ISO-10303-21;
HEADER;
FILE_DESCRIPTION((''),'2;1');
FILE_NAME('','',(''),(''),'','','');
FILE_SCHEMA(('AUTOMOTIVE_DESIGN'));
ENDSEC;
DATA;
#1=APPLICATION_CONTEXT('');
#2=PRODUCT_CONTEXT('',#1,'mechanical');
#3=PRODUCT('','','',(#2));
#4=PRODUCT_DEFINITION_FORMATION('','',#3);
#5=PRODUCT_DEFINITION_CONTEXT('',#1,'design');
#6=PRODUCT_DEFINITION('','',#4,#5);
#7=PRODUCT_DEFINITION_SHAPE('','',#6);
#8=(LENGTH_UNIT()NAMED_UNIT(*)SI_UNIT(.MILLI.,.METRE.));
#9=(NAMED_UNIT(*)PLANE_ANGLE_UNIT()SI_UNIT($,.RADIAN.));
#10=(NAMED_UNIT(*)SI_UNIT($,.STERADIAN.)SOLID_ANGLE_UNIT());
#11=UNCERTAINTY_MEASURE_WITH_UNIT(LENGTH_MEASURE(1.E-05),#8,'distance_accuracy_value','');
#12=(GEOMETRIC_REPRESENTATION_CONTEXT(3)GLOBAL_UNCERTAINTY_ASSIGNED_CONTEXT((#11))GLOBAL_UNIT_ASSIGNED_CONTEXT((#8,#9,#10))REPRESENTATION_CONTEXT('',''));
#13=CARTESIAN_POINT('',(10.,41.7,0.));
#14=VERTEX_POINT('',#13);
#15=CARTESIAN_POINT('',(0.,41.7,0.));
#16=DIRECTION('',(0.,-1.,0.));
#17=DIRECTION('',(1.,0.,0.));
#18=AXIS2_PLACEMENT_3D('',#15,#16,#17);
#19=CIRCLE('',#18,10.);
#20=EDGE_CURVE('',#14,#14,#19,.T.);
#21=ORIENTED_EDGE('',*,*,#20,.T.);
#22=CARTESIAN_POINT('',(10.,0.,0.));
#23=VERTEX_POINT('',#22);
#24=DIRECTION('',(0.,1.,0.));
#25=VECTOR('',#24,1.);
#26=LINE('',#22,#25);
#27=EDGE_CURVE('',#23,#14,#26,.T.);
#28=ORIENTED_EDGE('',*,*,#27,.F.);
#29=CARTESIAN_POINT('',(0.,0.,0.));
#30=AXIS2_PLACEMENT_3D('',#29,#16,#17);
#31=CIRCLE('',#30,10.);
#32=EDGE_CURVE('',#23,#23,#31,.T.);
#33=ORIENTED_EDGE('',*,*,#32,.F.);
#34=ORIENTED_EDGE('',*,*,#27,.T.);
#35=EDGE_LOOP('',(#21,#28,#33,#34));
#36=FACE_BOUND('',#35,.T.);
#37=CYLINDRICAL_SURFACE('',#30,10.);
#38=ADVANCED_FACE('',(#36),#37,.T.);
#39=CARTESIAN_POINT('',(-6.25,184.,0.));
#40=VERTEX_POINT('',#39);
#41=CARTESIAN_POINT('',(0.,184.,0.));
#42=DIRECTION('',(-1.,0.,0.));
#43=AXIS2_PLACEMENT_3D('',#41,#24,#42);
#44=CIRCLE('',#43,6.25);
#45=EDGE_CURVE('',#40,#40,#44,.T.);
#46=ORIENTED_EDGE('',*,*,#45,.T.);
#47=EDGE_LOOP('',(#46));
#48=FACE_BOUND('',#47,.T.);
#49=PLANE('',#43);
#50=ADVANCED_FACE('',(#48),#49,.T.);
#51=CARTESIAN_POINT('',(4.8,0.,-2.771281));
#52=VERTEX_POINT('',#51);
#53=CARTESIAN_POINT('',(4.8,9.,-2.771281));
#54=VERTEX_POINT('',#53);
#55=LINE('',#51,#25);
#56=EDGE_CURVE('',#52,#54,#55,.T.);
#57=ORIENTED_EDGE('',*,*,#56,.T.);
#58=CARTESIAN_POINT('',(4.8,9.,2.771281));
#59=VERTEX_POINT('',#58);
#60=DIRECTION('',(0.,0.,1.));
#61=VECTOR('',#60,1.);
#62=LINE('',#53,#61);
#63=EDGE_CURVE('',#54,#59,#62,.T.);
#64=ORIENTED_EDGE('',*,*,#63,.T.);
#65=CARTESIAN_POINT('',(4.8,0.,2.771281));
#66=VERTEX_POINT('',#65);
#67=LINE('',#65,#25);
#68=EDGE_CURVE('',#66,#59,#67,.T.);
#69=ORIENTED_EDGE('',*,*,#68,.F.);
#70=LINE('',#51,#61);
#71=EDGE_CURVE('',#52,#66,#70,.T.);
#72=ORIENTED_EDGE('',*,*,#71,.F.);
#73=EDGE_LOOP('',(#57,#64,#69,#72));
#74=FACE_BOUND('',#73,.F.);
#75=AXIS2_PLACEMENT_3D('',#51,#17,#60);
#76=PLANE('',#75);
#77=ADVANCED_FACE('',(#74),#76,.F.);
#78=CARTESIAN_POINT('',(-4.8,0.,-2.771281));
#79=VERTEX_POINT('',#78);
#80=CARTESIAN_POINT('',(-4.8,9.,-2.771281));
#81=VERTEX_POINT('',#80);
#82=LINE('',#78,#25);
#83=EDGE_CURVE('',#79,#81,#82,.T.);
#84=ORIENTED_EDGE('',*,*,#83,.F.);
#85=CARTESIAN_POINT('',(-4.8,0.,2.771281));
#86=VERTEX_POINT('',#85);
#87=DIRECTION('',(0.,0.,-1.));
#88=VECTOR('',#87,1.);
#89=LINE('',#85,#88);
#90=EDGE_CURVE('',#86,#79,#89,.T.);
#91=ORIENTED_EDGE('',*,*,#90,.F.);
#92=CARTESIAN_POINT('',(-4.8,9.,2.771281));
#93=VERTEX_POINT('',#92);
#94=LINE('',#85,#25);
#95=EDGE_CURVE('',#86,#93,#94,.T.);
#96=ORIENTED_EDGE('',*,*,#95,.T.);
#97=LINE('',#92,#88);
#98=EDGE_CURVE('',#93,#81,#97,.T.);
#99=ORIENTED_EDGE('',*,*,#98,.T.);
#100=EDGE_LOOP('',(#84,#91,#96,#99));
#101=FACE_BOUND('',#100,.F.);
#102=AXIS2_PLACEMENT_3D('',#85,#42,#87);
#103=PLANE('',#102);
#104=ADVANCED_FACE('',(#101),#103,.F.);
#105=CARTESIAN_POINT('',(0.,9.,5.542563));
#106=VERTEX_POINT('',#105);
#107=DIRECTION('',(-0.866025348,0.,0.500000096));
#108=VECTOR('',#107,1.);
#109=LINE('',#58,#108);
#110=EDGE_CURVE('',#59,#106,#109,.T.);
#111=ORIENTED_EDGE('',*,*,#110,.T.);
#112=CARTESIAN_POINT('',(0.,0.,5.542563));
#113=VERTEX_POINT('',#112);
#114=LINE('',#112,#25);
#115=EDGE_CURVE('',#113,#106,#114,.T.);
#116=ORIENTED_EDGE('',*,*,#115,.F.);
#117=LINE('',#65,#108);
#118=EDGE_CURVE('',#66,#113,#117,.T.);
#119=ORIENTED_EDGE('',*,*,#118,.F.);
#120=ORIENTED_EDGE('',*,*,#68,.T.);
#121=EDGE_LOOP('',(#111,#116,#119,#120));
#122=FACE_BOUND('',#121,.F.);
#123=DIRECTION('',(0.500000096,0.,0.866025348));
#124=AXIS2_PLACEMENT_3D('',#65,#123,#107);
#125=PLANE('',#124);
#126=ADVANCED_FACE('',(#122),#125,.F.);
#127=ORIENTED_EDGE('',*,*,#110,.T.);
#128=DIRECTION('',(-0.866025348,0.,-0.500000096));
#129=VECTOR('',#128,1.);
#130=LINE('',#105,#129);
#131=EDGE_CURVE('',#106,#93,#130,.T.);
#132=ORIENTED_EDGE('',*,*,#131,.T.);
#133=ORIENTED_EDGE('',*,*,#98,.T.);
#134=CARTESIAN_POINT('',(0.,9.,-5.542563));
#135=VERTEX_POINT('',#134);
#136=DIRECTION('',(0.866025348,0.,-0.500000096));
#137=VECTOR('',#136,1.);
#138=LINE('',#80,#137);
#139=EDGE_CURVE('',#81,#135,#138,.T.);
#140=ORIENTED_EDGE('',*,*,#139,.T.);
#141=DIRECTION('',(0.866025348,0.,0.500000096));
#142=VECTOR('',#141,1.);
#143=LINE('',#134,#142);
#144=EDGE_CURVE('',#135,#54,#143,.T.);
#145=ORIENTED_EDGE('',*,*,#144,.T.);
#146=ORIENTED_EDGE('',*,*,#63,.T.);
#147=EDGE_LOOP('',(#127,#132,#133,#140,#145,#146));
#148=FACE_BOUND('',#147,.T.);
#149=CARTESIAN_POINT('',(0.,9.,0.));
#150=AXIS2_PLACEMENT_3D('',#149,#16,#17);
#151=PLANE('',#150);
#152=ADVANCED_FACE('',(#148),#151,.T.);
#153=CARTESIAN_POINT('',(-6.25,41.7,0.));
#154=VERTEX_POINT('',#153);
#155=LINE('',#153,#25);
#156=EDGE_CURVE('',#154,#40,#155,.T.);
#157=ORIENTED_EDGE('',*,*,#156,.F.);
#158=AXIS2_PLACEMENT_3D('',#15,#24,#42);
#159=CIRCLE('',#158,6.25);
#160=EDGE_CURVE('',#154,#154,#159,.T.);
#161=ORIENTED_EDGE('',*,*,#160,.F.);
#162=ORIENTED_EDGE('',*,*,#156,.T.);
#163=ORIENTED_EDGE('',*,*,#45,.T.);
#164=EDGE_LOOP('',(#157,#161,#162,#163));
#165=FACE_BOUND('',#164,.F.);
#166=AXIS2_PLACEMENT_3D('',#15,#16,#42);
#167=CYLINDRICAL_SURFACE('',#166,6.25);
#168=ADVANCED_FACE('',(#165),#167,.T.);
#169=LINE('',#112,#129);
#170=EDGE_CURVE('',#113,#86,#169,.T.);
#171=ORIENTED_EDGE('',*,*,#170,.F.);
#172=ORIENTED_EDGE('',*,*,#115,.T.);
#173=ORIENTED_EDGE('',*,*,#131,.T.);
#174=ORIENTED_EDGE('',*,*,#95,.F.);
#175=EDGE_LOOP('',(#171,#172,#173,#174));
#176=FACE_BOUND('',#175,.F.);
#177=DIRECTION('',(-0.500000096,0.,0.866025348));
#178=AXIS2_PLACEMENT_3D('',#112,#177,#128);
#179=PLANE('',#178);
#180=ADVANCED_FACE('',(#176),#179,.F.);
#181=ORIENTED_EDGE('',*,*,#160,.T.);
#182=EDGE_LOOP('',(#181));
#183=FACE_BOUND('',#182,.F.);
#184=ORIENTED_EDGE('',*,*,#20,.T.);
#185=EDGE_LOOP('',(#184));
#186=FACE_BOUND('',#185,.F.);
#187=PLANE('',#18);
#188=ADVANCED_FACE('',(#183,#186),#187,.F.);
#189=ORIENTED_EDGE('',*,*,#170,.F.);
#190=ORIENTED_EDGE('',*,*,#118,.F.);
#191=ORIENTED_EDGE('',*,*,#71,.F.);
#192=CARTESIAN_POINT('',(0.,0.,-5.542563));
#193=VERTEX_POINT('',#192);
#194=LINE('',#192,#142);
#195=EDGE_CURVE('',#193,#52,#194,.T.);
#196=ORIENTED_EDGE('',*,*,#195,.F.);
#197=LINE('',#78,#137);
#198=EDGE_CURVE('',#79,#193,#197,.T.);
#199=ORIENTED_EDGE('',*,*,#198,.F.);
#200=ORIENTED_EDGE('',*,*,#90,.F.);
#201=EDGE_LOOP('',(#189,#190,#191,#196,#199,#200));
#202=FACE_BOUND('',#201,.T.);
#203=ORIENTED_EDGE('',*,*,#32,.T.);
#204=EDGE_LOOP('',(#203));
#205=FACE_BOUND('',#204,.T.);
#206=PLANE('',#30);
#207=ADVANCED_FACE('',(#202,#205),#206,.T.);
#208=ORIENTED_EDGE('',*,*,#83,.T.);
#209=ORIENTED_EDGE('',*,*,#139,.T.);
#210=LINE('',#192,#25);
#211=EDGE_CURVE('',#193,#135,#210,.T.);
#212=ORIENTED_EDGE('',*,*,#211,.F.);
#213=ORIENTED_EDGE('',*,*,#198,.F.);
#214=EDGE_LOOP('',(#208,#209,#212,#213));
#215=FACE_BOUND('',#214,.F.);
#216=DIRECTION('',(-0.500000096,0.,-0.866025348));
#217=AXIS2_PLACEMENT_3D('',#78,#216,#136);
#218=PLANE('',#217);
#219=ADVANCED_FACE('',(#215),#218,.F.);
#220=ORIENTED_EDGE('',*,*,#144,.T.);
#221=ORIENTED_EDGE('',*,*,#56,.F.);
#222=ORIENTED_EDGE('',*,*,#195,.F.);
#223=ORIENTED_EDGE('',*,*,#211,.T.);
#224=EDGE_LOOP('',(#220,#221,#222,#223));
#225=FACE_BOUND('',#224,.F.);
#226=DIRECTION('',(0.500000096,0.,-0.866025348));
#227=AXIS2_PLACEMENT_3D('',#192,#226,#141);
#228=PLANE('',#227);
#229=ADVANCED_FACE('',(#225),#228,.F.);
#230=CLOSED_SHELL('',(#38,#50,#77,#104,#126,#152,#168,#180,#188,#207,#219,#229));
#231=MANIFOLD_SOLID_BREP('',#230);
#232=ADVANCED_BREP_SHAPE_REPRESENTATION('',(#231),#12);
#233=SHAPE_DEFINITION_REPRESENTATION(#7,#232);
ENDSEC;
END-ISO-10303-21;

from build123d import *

# Parameters (mm, degrees)
F0_R     = 10
F1_DEPTH = 41.7
F2_R     = 6.25
F3_DEPTH = 142.3
F5_DEPTH = 9


with BuildPart() as f1:
    # F0 (on Front) → F1 (new body)
    with BuildSketch(Plane.XZ):
        Circle(F0_R)
    extrude(amount=-F1_DEPTH)

    # F2 (on face) → F3 (join)
    with BuildSketch(Plane(origin=(0, 41.7, 0), x_dir=(-1, 0, 0), z_dir=(0, 1, 0))):
        Circle(F2_R)
    extrude(amount=F3_DEPTH)

    # F4 (on face) → F5 (cut)
    with BuildSketch(Plane.XZ):
        Polygon((4.8, -2.771281), (4.8, 2.771281), (0, 5.542563), (-4.8, 2.771281), (-4.8, -2.771281), (0, -5.542563), align=None)
    extrude(amount=-F5_DEPTH, mode=Mode.SUBTRACT)


solid = f1.part
